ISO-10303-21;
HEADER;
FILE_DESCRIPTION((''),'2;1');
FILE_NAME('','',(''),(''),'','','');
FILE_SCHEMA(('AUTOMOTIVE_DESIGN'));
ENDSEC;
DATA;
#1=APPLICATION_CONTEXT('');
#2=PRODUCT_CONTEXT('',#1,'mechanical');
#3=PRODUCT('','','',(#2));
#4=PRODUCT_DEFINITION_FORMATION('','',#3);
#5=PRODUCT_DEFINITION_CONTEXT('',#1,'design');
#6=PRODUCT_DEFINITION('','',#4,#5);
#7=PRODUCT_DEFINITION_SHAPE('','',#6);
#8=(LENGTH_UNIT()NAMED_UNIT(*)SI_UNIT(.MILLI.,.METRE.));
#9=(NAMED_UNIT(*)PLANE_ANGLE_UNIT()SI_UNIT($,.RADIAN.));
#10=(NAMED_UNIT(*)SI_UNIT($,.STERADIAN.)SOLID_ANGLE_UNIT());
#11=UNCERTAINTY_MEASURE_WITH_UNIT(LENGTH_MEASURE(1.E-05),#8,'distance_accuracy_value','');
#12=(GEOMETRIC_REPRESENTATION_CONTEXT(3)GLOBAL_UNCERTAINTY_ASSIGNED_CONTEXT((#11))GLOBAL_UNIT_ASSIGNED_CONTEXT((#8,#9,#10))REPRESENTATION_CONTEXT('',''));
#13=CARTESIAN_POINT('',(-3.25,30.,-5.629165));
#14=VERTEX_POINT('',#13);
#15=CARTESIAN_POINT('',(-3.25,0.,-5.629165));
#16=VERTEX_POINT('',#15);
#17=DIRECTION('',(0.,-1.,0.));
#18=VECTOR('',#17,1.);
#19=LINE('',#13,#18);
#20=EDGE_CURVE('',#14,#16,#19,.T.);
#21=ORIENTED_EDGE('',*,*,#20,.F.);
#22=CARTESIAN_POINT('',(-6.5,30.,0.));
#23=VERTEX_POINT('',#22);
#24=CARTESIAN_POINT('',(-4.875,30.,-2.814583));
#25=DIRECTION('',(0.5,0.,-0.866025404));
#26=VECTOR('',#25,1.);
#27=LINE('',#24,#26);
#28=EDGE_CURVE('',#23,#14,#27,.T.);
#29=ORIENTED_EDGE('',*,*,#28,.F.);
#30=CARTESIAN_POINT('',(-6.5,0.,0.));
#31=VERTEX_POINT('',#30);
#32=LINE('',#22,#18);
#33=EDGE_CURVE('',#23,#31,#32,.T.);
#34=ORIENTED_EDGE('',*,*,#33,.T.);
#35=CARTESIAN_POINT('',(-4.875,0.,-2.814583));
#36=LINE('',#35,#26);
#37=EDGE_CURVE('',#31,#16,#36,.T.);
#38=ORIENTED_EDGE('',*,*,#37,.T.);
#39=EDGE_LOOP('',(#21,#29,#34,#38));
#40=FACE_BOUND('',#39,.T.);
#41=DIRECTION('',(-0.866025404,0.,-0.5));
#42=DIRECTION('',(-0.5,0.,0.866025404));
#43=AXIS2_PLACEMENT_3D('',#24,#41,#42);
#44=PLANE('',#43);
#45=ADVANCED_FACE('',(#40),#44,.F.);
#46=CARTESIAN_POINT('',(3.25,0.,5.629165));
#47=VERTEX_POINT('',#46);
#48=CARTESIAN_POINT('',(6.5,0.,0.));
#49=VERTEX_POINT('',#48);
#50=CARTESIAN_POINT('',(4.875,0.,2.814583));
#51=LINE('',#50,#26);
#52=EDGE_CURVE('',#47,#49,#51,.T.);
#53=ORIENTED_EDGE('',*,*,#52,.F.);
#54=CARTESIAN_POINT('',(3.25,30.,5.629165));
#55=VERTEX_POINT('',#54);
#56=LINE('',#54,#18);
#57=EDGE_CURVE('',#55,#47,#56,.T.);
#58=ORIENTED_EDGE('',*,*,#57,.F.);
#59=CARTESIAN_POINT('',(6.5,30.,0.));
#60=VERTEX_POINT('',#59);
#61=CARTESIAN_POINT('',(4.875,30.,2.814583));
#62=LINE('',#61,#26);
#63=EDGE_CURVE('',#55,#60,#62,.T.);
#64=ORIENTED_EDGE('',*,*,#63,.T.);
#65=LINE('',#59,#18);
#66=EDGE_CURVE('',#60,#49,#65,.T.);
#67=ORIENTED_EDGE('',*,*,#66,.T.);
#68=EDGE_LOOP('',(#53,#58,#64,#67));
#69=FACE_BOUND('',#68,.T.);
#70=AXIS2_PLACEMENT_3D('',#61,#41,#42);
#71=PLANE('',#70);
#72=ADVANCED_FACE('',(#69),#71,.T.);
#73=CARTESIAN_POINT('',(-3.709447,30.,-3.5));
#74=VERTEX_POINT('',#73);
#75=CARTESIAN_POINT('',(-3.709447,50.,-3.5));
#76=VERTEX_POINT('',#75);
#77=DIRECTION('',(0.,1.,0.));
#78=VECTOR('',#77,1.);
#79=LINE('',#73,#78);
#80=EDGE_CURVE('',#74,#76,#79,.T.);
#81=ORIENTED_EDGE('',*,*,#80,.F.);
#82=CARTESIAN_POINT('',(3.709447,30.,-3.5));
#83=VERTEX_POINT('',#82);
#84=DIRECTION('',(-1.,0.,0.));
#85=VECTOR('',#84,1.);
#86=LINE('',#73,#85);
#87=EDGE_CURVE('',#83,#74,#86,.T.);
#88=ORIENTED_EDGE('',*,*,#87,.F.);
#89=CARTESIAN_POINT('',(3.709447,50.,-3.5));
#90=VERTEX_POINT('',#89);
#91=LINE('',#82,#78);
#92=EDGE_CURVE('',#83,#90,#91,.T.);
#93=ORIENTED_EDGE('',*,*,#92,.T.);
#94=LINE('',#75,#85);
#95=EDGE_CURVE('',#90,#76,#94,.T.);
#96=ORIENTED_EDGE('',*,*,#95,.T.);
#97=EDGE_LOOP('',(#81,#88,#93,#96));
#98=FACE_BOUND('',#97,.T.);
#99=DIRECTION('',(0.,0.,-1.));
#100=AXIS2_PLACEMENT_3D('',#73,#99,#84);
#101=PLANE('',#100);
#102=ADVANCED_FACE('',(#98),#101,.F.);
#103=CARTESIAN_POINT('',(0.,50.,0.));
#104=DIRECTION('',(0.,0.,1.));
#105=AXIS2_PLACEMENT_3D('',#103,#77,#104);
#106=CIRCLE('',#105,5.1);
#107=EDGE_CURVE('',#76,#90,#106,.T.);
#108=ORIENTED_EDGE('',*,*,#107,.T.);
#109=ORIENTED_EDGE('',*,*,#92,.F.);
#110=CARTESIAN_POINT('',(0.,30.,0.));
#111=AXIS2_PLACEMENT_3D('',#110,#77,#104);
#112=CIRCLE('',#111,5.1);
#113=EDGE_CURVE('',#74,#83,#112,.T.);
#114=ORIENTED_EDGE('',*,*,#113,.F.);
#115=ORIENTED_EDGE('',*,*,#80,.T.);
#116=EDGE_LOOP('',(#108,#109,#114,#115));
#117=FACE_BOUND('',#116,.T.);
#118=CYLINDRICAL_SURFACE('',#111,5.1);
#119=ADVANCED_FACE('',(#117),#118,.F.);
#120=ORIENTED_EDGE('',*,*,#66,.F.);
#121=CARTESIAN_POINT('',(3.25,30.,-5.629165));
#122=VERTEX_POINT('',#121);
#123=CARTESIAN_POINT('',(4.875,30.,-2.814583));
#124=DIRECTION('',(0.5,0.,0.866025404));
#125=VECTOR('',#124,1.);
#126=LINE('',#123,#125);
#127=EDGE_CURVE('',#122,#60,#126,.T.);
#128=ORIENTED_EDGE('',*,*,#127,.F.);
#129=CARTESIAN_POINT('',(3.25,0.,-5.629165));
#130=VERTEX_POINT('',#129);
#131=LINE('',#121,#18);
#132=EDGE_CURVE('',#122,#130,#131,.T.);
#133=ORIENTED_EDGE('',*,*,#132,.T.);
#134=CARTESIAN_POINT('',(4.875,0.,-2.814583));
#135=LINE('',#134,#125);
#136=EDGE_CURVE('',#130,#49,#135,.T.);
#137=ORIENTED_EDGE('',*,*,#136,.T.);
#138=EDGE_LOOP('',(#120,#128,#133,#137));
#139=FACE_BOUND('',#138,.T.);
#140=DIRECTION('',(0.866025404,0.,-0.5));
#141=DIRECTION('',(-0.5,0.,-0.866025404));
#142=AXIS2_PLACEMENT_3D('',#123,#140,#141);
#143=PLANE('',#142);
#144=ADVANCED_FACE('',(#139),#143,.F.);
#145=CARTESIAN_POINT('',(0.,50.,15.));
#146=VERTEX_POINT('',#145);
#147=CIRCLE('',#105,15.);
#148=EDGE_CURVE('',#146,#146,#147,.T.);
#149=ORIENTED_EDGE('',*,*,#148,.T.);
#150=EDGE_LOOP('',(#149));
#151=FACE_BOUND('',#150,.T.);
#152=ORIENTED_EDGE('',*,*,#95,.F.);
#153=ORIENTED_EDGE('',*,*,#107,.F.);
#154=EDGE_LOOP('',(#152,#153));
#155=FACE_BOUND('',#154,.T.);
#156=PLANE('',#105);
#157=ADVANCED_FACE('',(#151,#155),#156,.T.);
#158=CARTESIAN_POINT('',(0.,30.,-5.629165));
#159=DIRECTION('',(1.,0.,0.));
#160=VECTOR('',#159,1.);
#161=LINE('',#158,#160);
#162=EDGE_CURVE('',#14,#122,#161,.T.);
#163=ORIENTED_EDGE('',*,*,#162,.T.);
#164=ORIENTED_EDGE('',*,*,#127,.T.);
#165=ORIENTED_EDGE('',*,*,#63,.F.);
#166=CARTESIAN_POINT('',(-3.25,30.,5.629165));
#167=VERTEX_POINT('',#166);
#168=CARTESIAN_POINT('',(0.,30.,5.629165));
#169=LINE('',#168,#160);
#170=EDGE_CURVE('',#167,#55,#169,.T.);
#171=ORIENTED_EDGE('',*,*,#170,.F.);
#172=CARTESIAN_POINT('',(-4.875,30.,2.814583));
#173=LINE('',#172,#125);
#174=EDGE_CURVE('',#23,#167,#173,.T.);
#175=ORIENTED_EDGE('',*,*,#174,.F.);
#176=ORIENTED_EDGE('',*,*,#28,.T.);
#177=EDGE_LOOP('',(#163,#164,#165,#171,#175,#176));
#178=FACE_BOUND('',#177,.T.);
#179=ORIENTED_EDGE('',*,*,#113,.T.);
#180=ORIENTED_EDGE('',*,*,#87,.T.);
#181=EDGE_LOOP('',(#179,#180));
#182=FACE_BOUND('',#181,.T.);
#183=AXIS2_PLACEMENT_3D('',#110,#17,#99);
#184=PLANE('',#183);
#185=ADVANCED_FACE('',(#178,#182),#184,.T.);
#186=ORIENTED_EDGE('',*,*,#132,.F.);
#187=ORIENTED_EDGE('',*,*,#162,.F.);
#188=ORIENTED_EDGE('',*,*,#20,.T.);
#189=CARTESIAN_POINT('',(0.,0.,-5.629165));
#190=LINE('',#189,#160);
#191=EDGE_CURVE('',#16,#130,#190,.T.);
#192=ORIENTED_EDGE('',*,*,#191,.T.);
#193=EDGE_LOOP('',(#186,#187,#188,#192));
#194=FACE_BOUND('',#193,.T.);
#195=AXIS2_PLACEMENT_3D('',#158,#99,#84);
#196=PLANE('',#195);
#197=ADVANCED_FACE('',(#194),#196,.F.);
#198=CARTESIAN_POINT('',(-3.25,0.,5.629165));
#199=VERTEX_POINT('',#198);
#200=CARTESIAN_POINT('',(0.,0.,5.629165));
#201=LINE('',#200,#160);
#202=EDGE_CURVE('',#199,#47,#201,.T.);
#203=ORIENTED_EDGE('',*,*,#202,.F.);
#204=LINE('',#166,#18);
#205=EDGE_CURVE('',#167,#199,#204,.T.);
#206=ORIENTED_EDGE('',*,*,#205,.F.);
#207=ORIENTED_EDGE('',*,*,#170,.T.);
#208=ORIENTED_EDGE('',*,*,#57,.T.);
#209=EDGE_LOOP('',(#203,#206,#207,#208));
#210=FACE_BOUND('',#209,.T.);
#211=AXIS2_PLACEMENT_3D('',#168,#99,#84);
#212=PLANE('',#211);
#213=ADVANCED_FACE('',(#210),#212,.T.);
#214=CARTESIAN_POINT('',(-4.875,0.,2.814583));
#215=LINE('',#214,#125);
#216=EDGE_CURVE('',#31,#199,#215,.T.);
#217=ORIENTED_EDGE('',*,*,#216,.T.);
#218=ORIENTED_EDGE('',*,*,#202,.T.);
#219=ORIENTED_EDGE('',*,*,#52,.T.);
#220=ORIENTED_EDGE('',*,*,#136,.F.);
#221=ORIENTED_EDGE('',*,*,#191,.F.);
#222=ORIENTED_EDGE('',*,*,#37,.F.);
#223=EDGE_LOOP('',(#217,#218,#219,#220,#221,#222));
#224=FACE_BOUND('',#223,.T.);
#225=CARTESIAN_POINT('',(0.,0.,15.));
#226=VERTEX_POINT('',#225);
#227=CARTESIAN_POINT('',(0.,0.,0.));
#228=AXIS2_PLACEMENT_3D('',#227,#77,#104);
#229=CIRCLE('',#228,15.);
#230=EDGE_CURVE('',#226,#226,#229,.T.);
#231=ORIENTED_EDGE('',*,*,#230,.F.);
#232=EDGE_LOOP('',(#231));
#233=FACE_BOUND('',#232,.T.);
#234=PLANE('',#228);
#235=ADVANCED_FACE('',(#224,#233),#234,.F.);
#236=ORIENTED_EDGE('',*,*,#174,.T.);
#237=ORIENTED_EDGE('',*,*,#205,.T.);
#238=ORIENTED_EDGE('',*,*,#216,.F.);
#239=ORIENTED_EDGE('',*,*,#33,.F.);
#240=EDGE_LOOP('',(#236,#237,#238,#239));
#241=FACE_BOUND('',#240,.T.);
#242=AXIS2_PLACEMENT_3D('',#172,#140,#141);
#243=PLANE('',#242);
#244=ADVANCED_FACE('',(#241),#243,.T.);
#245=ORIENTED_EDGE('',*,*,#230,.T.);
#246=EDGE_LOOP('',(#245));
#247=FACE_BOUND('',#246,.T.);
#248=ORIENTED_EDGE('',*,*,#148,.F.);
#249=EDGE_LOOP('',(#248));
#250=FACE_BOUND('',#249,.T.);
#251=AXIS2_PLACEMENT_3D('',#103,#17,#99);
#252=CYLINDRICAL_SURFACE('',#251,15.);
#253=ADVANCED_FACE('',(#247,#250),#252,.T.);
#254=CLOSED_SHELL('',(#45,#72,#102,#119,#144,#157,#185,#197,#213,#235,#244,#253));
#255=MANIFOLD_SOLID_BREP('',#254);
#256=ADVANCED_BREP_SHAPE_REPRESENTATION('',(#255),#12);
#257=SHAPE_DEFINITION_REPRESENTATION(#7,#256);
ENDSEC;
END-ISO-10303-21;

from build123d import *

# Parameters (mm, degrees)
SKETCH1_R           = 15
BOSS_EXTRUDE1_DEPTH = 50
CUT_EXTRUDE1_DEPTH  = 20
CUT_EXTRUDE2_DEPTH  = 30


with BuildPart() as part:
    # Sketch1 → Boss-Extrude1 (new body)
    with BuildSketch(Plane(origin=(0, 0, 0), x_dir=(1, 0, 0), z_dir=(0, 1, 0))):
        Circle(SKETCH1_R)
    extrude(amount=BOSS_EXTRUDE1_DEPTH)

    # Sketch2 → Cut-Extrude1 (cut)
    with BuildSketch(Plane(origin=(0, 50, 0), x_dir=(1, 0, 0), z_dir=(0, 1, 0))):
        with BuildLine():
            Line((-3.709447398, 3.5), (3.709447398, 3.5))
            ThreePointArc((3.709447398, 3.5), (0, -5.1), (-3.709447398, 3.5))
        make_face()
    extrude(amount=-CUT_EXTRUDE1_DEPTH, mode=Mode.SUBTRACT)

    # Sketch3 → Cut-Extrude2 (cut)
    with BuildSketch(Plane.XZ):
        Polygon((-6.5, 0), (-3.25, 5.629165125), (3.25, 5.629165125), (6.5, 0), (3.25, -5.629165125), (-3.25, -5.629165125), align=None)
    extrude(amount=-CUT_EXTRUDE2_DEPTH, mode=Mode.SUBTRACT)


solid = part.part
